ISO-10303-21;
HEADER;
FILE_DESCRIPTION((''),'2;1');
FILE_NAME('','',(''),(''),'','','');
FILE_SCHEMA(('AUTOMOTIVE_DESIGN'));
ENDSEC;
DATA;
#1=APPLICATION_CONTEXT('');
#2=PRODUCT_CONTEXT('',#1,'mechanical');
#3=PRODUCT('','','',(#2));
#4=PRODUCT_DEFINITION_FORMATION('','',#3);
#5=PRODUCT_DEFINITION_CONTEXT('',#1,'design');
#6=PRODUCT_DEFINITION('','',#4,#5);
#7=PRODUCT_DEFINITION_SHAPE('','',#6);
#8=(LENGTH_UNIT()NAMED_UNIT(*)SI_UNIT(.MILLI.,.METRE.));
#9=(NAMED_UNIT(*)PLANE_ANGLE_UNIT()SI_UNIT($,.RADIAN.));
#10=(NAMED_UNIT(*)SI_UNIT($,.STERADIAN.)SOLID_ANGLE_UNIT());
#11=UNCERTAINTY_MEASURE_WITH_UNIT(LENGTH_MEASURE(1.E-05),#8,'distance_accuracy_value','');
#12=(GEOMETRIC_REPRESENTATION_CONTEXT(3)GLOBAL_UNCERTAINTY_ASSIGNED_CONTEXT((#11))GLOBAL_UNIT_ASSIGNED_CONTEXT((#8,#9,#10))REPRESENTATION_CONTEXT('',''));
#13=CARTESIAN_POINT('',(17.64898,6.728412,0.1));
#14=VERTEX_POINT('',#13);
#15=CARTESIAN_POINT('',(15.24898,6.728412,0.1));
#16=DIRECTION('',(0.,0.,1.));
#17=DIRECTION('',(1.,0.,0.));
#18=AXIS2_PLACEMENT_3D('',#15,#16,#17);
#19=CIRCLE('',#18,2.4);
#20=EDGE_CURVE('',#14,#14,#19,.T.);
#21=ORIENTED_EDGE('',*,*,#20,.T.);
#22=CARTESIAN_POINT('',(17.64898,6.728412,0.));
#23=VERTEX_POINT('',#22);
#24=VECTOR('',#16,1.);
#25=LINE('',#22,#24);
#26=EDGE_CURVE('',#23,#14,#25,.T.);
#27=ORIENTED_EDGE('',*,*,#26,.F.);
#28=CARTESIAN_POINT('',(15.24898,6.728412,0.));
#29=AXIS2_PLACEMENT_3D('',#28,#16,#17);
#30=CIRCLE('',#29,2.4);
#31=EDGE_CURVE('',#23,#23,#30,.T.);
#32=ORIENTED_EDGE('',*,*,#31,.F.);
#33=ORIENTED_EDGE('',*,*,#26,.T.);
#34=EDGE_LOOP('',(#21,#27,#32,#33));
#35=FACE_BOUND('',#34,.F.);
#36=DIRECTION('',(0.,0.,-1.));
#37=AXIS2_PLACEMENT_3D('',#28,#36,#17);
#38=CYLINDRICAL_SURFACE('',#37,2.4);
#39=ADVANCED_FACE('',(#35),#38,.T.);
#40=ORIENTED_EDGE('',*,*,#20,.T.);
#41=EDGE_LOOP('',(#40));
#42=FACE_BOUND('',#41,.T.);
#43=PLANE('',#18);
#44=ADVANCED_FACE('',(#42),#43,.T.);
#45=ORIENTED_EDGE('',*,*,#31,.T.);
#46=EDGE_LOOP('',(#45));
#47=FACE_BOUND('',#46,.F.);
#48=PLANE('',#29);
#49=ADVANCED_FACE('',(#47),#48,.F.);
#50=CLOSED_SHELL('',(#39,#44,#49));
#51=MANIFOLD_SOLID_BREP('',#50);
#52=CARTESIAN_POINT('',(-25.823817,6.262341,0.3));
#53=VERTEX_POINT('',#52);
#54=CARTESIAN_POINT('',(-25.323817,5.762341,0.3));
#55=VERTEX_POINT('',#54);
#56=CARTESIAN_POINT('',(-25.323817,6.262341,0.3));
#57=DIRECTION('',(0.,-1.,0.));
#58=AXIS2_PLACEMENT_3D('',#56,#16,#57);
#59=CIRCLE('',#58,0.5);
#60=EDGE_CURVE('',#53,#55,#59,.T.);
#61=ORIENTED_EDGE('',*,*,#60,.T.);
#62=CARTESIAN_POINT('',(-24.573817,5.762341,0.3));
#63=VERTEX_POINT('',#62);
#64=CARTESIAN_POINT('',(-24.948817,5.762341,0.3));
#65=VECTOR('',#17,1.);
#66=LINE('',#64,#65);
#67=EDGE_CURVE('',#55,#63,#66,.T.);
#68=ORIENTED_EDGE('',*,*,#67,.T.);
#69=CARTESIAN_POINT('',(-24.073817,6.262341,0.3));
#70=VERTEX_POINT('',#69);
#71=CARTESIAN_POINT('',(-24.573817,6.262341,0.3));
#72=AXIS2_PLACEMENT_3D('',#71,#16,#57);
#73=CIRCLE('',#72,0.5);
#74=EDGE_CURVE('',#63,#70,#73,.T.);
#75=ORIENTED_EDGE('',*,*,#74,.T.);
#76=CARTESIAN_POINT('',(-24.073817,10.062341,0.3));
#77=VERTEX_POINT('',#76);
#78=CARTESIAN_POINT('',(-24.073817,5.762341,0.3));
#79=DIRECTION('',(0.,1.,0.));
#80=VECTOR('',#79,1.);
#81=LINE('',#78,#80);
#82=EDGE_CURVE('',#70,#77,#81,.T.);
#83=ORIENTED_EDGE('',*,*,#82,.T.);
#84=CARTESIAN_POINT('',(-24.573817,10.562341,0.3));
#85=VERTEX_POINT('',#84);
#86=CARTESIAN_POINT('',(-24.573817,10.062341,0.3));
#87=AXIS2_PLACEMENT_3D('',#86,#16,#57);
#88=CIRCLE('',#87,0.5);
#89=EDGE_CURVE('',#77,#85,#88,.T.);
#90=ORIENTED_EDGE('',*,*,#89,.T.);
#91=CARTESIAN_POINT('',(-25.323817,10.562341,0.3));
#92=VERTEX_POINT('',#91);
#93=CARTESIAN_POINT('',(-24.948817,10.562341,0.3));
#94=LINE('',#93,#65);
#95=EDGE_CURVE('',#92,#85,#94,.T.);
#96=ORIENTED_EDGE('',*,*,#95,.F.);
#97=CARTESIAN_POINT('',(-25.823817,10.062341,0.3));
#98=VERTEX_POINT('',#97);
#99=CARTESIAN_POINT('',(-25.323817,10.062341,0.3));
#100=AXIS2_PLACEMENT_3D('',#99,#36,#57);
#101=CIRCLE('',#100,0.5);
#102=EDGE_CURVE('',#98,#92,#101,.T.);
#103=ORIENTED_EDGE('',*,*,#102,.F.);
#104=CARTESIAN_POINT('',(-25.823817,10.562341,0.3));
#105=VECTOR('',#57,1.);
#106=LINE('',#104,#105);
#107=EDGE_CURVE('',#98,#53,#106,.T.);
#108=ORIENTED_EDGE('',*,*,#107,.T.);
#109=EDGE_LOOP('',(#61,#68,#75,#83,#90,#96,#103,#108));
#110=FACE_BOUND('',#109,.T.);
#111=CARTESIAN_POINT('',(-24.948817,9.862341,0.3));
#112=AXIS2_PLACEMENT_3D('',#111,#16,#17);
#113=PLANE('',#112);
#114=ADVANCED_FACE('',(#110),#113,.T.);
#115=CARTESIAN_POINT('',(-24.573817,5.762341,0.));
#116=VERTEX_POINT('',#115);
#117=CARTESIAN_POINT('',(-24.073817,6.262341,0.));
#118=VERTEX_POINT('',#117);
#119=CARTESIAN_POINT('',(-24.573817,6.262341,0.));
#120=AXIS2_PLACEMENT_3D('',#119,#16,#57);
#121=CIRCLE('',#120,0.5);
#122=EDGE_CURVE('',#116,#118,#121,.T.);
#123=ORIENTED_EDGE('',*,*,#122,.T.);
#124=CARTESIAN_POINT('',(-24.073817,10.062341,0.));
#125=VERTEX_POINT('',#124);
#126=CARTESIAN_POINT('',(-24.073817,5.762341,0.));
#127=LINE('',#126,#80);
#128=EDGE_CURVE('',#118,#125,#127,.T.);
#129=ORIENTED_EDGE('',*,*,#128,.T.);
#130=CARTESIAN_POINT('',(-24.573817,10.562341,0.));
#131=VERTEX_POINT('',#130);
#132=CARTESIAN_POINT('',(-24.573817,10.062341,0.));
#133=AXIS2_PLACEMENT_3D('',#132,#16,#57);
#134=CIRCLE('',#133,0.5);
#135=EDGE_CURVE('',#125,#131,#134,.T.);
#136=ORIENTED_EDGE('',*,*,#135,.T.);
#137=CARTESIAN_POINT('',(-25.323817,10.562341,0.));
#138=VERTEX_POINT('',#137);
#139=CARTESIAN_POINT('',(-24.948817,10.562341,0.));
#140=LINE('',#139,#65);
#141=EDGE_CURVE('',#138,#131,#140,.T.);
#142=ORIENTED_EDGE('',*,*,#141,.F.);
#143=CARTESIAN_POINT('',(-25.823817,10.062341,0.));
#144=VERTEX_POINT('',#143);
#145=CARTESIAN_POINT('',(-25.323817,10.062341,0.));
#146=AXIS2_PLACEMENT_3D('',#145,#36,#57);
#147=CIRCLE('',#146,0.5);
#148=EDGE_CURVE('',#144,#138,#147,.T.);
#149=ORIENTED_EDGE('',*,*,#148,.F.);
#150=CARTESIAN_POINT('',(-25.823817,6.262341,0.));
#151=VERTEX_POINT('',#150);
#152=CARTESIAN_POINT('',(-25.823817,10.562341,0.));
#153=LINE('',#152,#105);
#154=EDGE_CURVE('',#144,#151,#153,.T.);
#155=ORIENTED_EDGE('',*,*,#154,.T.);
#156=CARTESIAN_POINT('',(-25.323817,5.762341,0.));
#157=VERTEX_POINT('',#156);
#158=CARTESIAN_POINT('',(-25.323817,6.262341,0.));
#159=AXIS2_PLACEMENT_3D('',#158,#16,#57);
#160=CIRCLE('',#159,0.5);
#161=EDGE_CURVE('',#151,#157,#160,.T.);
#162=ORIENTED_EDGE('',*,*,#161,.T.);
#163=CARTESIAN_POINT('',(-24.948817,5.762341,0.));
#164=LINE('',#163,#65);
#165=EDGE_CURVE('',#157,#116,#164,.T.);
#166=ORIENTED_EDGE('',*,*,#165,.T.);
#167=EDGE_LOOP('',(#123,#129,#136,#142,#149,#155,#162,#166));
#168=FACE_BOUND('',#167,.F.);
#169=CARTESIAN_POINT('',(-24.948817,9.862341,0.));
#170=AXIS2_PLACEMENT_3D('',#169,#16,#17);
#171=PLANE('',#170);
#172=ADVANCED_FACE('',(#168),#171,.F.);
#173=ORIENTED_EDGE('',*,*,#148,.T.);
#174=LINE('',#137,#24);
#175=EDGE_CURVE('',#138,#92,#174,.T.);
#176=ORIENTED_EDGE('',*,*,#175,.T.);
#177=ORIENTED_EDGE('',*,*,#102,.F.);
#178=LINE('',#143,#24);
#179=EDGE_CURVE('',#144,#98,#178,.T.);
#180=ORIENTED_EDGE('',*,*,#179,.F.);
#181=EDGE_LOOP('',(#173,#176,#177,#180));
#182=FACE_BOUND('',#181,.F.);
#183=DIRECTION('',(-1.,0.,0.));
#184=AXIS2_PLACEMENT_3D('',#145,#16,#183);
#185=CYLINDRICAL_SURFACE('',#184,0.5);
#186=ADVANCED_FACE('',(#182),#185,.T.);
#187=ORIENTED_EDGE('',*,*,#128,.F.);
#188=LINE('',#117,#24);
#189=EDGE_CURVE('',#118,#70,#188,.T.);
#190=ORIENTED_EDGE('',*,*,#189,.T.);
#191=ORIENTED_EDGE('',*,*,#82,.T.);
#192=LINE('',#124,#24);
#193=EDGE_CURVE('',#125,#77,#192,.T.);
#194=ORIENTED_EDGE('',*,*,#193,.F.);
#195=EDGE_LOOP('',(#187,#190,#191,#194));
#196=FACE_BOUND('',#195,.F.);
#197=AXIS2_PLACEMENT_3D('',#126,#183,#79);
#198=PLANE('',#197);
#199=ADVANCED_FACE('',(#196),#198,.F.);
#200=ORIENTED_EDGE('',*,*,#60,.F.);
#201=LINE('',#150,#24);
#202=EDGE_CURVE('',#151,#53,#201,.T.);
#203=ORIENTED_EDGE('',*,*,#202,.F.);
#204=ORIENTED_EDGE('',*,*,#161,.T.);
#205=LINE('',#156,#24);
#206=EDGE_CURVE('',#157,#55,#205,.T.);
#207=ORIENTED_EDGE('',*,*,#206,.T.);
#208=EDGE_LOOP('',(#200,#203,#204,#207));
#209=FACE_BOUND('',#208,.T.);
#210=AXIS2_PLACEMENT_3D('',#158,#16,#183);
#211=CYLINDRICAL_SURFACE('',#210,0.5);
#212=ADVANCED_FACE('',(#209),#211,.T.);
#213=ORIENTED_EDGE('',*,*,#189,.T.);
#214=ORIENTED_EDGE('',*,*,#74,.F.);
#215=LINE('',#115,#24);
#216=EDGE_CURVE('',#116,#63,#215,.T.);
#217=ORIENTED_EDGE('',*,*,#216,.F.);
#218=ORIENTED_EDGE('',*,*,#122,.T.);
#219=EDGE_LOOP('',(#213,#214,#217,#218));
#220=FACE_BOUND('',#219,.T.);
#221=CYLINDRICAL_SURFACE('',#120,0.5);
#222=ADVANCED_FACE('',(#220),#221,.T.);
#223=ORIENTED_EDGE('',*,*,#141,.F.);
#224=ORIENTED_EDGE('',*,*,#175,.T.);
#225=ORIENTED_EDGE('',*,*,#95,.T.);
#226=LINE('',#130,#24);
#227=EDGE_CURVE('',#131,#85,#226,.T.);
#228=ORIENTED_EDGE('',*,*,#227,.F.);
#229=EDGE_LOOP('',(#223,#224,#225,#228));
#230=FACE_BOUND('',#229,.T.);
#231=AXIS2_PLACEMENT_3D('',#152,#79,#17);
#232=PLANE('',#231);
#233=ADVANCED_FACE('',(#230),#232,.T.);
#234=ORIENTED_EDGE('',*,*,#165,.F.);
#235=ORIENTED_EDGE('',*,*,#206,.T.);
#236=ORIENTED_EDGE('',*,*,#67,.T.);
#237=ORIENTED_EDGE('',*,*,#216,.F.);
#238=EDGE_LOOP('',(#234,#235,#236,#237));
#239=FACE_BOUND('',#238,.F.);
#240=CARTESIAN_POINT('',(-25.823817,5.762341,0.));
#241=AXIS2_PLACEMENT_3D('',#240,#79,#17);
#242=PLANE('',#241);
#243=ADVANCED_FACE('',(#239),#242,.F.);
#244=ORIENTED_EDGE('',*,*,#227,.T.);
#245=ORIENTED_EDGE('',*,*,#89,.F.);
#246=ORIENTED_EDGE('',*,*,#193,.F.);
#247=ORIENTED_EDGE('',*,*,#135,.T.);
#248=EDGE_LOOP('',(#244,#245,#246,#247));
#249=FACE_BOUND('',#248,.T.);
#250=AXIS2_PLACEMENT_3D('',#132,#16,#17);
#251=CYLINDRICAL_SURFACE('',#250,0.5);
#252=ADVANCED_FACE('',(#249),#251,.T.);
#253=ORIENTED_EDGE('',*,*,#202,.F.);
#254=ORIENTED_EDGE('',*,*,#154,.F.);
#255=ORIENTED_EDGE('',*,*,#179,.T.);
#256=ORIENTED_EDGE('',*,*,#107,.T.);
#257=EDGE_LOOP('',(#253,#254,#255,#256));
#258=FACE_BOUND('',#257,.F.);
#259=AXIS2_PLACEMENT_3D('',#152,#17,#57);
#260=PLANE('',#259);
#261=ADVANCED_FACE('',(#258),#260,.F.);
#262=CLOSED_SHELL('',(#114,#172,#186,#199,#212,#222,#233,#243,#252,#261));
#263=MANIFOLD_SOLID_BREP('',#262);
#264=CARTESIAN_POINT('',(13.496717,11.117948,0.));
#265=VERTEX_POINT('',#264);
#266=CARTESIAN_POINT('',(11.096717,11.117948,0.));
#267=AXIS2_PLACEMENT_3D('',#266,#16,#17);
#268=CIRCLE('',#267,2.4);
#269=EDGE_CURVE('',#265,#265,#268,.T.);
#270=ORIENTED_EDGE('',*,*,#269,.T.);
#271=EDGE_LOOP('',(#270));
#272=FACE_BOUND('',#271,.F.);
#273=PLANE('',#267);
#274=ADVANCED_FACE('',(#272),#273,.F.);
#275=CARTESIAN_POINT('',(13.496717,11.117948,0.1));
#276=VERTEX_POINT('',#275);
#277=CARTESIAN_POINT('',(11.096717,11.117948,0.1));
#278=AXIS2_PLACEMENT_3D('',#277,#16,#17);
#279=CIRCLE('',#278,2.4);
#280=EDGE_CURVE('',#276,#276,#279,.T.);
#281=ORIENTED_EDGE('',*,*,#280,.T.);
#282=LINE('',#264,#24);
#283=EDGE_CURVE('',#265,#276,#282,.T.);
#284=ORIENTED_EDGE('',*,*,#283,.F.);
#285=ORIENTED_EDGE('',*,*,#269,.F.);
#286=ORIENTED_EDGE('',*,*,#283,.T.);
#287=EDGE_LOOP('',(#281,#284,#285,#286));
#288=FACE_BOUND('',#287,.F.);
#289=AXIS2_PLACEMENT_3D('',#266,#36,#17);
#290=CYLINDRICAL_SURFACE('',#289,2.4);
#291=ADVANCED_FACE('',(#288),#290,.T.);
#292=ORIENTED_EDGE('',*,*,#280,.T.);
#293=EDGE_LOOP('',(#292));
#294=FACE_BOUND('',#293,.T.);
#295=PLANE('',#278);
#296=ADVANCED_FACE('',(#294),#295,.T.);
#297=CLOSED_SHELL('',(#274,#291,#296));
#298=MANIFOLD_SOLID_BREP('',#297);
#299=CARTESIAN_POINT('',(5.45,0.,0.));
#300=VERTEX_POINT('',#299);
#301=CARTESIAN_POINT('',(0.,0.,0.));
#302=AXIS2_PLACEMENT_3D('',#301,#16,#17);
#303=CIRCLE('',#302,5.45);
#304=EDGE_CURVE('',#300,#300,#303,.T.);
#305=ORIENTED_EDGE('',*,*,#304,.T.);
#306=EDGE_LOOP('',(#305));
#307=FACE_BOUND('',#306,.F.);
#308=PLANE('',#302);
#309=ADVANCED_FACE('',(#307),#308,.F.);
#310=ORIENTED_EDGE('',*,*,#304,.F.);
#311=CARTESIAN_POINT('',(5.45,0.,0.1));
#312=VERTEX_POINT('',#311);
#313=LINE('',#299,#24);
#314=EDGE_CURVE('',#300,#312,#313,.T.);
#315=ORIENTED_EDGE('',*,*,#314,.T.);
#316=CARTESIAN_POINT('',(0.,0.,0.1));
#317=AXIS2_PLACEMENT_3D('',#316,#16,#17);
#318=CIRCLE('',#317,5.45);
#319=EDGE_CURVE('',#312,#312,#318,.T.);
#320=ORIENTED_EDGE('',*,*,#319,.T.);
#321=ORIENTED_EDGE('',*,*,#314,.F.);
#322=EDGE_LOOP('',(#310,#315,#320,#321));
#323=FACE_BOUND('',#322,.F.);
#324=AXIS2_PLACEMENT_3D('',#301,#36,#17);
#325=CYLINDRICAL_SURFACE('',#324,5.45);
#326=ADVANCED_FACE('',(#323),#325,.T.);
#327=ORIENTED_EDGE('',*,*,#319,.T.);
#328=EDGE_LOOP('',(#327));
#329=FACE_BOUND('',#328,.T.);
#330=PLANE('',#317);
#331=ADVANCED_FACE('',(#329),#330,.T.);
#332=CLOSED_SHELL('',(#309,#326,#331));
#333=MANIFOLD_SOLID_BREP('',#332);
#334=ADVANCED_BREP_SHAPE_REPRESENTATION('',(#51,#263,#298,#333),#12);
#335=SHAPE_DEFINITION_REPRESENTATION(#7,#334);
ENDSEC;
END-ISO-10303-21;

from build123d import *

# Parameters (mm, degrees)
F0_R     = 5.45
F1_DEPTH = 0.1
F2_R     = 2.4
F3_DEPTH = 0.1
F4_W     = 1.75
F4_H     = 1.4
F4_H_2   = 2
F5_DEPTH = 0.3
F6_R     = 0.5


with BuildPart() as f1:
    # F0 (on Top) → F1 (new body)
    with BuildSketch(Plane.XY):
        Circle(F0_R)
    extrude(amount=F1_DEPTH)


with BuildPart() as f3:
    # F2 (on Top) → F3 (new body)
    with BuildSketch(Plane.XY):
        with Locations((11.096717, 11.117948)):
            Circle(F2_R)
        with Locations((15.24898, 6.728412)):
            Circle(F2_R)
    extrude(amount=F3_DEPTH)


with BuildPart() as f5:
    # F4 (on Top) → F5 (new body)
    with BuildSketch(Plane.XY):
        with Locations((-24.948817, 9.862341)):
            Rectangle(F4_W, F4_H)
        with Locations((-24.948817, 8.162341)):
            Rectangle(F4_W, F4_H_2)
        with Locations((-24.948817, 6.462341)):
            Rectangle(F4_W, F4_H)
    extrude(amount=F5_DEPTH)

    # F6
    f6_edges = [f5.edges().sort_by_distance(p)[0] for p in [
        (-24.073817, 10.562341, 0.15),
        (-25.823817, 10.562341, 0.15),
        (-25.823817, 5.762341, 0.15),
        (-24.073817, 5.762341, 0.15),
    ]]
    fillet(f6_edges, radius=F6_R)


solid = Compound([f1.part, f3.part, f5.part])
